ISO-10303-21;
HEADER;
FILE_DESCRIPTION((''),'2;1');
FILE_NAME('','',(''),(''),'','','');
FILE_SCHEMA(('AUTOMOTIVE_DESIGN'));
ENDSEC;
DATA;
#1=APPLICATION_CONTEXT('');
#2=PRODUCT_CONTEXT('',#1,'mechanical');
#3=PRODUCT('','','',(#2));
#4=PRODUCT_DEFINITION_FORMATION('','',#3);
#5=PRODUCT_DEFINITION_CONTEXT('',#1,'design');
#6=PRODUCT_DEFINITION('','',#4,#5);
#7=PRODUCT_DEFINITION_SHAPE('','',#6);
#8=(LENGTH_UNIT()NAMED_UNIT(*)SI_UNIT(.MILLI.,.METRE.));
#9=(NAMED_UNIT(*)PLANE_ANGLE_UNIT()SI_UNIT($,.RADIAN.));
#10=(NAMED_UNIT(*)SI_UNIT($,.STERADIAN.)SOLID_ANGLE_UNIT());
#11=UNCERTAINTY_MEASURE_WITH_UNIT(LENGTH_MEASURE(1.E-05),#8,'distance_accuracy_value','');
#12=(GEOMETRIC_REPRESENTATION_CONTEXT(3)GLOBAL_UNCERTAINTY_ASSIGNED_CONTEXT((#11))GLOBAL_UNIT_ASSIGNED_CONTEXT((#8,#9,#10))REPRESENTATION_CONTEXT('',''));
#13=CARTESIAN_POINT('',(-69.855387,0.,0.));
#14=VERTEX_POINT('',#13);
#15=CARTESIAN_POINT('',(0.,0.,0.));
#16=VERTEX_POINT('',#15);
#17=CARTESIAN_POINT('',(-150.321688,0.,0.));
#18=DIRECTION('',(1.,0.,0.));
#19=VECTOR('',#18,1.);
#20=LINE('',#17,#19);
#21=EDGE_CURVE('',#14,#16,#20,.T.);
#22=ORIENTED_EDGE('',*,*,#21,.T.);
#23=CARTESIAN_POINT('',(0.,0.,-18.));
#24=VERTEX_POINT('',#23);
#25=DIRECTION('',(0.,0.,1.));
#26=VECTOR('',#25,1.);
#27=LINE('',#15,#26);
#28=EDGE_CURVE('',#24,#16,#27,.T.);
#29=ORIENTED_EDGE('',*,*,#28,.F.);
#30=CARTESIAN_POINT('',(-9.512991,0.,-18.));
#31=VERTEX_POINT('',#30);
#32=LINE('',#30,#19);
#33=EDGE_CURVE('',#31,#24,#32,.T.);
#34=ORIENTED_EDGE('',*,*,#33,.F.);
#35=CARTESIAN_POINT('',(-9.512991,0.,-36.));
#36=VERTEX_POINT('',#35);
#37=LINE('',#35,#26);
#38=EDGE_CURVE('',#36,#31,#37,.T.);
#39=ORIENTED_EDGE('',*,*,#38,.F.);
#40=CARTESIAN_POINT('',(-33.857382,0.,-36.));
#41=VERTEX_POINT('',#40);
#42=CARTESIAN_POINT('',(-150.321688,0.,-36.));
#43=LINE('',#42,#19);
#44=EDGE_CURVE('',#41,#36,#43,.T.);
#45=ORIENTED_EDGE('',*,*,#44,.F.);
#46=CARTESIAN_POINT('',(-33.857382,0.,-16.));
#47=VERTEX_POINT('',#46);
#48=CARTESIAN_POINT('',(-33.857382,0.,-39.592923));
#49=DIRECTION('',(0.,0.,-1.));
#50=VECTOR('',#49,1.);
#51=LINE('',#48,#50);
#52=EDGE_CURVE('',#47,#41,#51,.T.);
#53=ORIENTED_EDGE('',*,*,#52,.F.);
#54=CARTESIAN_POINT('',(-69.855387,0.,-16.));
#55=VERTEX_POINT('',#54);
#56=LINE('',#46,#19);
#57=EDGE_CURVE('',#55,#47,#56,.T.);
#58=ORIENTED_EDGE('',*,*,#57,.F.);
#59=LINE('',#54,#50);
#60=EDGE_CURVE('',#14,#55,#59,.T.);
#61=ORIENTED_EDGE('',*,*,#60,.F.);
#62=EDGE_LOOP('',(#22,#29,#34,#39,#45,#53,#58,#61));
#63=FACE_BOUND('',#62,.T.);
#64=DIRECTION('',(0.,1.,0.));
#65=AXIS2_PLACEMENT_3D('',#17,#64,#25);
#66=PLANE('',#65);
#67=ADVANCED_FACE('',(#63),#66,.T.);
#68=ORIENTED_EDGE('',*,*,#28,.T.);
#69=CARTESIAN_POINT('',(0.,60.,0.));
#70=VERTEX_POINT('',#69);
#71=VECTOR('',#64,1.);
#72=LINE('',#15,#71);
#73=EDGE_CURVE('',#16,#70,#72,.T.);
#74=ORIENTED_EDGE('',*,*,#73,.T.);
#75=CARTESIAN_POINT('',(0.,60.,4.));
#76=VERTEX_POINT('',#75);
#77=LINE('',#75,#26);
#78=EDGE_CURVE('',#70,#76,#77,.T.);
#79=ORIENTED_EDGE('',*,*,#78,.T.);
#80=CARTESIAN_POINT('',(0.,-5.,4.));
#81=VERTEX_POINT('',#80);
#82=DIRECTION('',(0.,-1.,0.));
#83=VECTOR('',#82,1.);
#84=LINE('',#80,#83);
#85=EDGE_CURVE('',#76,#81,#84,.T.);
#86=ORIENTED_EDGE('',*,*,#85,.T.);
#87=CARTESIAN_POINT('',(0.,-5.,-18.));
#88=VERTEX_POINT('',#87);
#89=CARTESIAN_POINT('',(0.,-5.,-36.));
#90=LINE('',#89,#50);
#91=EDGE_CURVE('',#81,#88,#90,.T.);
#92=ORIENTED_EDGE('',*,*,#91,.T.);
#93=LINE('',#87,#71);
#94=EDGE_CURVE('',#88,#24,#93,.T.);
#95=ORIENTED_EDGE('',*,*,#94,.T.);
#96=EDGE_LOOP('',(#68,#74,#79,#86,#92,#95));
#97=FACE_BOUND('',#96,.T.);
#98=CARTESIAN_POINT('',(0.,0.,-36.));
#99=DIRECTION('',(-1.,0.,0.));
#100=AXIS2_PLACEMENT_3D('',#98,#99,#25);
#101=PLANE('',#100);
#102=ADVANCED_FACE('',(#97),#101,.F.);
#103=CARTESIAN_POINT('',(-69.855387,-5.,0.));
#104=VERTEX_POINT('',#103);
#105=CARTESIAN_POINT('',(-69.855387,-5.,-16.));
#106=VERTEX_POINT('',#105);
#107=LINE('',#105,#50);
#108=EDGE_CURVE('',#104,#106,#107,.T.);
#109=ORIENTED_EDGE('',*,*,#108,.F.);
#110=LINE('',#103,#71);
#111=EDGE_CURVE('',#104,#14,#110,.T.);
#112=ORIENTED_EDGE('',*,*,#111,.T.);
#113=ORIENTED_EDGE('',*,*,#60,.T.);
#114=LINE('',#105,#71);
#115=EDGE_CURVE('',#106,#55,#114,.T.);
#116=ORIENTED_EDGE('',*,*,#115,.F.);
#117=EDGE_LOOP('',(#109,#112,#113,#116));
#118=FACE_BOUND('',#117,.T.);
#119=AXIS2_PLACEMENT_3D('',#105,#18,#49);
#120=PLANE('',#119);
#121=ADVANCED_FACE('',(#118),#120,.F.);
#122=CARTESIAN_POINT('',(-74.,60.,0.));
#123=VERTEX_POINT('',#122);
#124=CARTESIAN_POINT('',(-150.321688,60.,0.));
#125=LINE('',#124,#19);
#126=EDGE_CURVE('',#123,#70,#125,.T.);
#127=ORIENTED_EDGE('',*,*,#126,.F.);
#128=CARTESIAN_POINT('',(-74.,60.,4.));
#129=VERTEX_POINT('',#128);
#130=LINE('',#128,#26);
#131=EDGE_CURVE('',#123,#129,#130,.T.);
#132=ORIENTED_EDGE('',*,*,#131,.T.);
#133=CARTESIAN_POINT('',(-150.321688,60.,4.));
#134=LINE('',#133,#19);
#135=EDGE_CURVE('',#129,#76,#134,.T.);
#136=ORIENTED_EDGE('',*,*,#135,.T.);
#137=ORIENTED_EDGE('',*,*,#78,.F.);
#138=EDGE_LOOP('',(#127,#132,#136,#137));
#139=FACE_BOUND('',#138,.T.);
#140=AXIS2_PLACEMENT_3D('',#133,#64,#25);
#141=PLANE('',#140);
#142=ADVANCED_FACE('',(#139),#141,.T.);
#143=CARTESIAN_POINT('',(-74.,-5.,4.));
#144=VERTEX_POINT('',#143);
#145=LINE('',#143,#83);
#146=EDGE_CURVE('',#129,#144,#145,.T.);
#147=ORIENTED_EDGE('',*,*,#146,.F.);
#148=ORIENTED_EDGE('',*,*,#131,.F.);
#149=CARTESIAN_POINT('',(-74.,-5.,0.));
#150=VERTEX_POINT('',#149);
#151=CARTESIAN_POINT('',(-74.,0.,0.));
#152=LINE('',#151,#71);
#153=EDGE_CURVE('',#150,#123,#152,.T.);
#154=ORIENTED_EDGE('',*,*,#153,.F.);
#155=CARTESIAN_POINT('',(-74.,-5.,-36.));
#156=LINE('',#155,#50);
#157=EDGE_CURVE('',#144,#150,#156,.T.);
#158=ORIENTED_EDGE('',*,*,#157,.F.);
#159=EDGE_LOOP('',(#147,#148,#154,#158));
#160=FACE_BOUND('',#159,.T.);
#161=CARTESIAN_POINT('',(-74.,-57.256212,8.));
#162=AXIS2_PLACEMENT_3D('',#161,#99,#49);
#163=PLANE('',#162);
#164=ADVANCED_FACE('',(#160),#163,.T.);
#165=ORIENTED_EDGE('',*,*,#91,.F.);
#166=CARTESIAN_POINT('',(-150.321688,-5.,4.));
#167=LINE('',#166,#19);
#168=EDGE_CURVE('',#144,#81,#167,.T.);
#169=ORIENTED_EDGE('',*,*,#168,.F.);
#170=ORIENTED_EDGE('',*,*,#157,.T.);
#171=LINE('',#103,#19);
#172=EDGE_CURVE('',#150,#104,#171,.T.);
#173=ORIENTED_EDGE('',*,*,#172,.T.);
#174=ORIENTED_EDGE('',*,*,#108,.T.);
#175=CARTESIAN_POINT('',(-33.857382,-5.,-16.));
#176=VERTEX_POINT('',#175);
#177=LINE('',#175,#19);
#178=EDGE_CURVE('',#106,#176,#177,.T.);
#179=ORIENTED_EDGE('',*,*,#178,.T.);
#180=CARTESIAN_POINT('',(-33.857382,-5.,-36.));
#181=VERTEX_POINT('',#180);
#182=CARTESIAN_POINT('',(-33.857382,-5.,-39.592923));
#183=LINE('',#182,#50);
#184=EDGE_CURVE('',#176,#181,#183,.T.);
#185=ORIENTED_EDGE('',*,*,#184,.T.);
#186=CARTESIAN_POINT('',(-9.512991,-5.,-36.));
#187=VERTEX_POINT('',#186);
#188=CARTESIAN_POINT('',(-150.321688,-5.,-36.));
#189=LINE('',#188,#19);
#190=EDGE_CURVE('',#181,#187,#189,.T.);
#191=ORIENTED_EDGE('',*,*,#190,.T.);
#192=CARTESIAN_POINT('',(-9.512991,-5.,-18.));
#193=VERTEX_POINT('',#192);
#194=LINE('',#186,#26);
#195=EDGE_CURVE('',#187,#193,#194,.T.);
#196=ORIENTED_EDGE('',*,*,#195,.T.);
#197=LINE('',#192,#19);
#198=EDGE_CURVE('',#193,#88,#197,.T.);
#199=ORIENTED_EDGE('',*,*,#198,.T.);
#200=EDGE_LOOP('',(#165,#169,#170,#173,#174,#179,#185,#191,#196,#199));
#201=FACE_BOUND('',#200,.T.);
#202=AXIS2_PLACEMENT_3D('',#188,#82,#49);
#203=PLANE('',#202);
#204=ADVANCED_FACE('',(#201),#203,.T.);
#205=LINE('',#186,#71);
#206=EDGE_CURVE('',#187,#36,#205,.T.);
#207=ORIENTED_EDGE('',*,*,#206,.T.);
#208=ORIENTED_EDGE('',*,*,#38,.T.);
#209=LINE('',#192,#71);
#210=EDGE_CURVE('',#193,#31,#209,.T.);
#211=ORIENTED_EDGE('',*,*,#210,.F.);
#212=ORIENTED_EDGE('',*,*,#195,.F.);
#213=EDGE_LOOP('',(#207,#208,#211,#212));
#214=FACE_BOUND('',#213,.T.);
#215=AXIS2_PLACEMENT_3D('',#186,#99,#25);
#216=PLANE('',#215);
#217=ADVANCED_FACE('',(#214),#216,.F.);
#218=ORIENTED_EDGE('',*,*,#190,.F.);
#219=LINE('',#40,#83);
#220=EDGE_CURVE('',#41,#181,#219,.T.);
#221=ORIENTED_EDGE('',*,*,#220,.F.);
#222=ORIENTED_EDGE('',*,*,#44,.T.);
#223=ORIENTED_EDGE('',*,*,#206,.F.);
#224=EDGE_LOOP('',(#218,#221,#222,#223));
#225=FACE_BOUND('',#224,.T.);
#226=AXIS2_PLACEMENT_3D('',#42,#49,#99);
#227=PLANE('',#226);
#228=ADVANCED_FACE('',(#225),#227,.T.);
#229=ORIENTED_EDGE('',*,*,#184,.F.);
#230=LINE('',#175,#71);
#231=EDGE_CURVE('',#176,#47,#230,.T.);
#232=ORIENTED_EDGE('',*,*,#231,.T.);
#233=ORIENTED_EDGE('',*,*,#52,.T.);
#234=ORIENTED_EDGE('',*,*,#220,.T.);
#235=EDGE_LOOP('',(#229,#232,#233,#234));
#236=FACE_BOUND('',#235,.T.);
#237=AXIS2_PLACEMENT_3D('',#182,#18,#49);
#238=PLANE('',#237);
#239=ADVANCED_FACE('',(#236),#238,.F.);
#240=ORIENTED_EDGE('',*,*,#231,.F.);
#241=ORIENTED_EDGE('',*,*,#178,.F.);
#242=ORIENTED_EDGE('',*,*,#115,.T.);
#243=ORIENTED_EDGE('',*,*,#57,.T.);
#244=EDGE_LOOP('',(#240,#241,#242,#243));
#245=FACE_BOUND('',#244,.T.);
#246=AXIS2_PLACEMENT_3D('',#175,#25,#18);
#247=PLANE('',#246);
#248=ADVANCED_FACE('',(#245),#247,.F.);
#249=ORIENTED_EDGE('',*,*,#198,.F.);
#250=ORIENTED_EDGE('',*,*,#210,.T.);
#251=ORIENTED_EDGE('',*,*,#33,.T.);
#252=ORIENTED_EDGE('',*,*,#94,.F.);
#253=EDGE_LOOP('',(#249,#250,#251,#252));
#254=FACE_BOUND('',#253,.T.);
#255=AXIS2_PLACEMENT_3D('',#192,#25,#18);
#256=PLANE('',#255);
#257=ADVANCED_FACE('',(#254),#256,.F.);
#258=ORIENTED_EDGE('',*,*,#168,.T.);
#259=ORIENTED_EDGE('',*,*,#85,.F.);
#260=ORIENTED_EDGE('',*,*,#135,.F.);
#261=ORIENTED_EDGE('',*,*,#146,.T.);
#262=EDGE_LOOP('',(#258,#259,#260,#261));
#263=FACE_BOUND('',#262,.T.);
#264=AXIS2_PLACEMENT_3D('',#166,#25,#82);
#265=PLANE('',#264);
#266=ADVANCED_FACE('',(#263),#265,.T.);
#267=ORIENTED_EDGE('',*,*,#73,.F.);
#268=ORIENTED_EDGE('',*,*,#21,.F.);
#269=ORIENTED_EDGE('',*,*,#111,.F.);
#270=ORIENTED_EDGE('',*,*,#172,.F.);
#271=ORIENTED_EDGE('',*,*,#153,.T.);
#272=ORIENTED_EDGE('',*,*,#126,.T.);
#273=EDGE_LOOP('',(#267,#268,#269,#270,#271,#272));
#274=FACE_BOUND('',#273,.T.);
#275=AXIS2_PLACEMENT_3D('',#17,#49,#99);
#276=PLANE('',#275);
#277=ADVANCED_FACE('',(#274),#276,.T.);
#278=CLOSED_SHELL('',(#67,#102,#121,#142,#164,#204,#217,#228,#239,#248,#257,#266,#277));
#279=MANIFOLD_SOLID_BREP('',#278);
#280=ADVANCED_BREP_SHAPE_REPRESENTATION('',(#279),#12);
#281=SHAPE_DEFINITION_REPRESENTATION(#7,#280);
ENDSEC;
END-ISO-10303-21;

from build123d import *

# Parameters (mm, degrees)
EXTRUDE_1_DEPTH     = 74
SKETCH_2_W          = 9.512991355
SKETCH_2_H          = 18
CUT_EXTRUDE_1_DEPTH = 102.843016452


with BuildPart() as part:
    # Эскиз1 → Вытянуть1 (new body)
    with BuildSketch(Plane(origin=(0, 0, 0), x_dir=(0, 0, -1), z_dir=(1, 0, 0))):
        Polygon((0, 0), (0, 60), (-4, 60), (-4, -5), (36, -5), (36, 0), align=None)
    extrude(amount=-EXTRUDE_1_DEPTH)

    # Эскиз2 → Вырез-Вытянуть1 (cut, through all)
    with BuildSketch(Plane(origin=(0, 0, 0), x_dir=(1, 0, 0), z_dir=(0, 1, 0))):
        Polygon((-33.857381994, 16), (-69.85538749, 16), (-69.85538749, 0), (-75.857381994, 0), (-75.857381994, 39.592922538), (-33.857381994, 39.592922538), align=None)
        with Locations((-4.756495678, 27)):
            Rectangle(SKETCH_2_W, SKETCH_2_H)
    extrude(amount=-CUT_EXTRUDE_1_DEPTH, mode=Mode.SUBTRACT)


solid = part.part
